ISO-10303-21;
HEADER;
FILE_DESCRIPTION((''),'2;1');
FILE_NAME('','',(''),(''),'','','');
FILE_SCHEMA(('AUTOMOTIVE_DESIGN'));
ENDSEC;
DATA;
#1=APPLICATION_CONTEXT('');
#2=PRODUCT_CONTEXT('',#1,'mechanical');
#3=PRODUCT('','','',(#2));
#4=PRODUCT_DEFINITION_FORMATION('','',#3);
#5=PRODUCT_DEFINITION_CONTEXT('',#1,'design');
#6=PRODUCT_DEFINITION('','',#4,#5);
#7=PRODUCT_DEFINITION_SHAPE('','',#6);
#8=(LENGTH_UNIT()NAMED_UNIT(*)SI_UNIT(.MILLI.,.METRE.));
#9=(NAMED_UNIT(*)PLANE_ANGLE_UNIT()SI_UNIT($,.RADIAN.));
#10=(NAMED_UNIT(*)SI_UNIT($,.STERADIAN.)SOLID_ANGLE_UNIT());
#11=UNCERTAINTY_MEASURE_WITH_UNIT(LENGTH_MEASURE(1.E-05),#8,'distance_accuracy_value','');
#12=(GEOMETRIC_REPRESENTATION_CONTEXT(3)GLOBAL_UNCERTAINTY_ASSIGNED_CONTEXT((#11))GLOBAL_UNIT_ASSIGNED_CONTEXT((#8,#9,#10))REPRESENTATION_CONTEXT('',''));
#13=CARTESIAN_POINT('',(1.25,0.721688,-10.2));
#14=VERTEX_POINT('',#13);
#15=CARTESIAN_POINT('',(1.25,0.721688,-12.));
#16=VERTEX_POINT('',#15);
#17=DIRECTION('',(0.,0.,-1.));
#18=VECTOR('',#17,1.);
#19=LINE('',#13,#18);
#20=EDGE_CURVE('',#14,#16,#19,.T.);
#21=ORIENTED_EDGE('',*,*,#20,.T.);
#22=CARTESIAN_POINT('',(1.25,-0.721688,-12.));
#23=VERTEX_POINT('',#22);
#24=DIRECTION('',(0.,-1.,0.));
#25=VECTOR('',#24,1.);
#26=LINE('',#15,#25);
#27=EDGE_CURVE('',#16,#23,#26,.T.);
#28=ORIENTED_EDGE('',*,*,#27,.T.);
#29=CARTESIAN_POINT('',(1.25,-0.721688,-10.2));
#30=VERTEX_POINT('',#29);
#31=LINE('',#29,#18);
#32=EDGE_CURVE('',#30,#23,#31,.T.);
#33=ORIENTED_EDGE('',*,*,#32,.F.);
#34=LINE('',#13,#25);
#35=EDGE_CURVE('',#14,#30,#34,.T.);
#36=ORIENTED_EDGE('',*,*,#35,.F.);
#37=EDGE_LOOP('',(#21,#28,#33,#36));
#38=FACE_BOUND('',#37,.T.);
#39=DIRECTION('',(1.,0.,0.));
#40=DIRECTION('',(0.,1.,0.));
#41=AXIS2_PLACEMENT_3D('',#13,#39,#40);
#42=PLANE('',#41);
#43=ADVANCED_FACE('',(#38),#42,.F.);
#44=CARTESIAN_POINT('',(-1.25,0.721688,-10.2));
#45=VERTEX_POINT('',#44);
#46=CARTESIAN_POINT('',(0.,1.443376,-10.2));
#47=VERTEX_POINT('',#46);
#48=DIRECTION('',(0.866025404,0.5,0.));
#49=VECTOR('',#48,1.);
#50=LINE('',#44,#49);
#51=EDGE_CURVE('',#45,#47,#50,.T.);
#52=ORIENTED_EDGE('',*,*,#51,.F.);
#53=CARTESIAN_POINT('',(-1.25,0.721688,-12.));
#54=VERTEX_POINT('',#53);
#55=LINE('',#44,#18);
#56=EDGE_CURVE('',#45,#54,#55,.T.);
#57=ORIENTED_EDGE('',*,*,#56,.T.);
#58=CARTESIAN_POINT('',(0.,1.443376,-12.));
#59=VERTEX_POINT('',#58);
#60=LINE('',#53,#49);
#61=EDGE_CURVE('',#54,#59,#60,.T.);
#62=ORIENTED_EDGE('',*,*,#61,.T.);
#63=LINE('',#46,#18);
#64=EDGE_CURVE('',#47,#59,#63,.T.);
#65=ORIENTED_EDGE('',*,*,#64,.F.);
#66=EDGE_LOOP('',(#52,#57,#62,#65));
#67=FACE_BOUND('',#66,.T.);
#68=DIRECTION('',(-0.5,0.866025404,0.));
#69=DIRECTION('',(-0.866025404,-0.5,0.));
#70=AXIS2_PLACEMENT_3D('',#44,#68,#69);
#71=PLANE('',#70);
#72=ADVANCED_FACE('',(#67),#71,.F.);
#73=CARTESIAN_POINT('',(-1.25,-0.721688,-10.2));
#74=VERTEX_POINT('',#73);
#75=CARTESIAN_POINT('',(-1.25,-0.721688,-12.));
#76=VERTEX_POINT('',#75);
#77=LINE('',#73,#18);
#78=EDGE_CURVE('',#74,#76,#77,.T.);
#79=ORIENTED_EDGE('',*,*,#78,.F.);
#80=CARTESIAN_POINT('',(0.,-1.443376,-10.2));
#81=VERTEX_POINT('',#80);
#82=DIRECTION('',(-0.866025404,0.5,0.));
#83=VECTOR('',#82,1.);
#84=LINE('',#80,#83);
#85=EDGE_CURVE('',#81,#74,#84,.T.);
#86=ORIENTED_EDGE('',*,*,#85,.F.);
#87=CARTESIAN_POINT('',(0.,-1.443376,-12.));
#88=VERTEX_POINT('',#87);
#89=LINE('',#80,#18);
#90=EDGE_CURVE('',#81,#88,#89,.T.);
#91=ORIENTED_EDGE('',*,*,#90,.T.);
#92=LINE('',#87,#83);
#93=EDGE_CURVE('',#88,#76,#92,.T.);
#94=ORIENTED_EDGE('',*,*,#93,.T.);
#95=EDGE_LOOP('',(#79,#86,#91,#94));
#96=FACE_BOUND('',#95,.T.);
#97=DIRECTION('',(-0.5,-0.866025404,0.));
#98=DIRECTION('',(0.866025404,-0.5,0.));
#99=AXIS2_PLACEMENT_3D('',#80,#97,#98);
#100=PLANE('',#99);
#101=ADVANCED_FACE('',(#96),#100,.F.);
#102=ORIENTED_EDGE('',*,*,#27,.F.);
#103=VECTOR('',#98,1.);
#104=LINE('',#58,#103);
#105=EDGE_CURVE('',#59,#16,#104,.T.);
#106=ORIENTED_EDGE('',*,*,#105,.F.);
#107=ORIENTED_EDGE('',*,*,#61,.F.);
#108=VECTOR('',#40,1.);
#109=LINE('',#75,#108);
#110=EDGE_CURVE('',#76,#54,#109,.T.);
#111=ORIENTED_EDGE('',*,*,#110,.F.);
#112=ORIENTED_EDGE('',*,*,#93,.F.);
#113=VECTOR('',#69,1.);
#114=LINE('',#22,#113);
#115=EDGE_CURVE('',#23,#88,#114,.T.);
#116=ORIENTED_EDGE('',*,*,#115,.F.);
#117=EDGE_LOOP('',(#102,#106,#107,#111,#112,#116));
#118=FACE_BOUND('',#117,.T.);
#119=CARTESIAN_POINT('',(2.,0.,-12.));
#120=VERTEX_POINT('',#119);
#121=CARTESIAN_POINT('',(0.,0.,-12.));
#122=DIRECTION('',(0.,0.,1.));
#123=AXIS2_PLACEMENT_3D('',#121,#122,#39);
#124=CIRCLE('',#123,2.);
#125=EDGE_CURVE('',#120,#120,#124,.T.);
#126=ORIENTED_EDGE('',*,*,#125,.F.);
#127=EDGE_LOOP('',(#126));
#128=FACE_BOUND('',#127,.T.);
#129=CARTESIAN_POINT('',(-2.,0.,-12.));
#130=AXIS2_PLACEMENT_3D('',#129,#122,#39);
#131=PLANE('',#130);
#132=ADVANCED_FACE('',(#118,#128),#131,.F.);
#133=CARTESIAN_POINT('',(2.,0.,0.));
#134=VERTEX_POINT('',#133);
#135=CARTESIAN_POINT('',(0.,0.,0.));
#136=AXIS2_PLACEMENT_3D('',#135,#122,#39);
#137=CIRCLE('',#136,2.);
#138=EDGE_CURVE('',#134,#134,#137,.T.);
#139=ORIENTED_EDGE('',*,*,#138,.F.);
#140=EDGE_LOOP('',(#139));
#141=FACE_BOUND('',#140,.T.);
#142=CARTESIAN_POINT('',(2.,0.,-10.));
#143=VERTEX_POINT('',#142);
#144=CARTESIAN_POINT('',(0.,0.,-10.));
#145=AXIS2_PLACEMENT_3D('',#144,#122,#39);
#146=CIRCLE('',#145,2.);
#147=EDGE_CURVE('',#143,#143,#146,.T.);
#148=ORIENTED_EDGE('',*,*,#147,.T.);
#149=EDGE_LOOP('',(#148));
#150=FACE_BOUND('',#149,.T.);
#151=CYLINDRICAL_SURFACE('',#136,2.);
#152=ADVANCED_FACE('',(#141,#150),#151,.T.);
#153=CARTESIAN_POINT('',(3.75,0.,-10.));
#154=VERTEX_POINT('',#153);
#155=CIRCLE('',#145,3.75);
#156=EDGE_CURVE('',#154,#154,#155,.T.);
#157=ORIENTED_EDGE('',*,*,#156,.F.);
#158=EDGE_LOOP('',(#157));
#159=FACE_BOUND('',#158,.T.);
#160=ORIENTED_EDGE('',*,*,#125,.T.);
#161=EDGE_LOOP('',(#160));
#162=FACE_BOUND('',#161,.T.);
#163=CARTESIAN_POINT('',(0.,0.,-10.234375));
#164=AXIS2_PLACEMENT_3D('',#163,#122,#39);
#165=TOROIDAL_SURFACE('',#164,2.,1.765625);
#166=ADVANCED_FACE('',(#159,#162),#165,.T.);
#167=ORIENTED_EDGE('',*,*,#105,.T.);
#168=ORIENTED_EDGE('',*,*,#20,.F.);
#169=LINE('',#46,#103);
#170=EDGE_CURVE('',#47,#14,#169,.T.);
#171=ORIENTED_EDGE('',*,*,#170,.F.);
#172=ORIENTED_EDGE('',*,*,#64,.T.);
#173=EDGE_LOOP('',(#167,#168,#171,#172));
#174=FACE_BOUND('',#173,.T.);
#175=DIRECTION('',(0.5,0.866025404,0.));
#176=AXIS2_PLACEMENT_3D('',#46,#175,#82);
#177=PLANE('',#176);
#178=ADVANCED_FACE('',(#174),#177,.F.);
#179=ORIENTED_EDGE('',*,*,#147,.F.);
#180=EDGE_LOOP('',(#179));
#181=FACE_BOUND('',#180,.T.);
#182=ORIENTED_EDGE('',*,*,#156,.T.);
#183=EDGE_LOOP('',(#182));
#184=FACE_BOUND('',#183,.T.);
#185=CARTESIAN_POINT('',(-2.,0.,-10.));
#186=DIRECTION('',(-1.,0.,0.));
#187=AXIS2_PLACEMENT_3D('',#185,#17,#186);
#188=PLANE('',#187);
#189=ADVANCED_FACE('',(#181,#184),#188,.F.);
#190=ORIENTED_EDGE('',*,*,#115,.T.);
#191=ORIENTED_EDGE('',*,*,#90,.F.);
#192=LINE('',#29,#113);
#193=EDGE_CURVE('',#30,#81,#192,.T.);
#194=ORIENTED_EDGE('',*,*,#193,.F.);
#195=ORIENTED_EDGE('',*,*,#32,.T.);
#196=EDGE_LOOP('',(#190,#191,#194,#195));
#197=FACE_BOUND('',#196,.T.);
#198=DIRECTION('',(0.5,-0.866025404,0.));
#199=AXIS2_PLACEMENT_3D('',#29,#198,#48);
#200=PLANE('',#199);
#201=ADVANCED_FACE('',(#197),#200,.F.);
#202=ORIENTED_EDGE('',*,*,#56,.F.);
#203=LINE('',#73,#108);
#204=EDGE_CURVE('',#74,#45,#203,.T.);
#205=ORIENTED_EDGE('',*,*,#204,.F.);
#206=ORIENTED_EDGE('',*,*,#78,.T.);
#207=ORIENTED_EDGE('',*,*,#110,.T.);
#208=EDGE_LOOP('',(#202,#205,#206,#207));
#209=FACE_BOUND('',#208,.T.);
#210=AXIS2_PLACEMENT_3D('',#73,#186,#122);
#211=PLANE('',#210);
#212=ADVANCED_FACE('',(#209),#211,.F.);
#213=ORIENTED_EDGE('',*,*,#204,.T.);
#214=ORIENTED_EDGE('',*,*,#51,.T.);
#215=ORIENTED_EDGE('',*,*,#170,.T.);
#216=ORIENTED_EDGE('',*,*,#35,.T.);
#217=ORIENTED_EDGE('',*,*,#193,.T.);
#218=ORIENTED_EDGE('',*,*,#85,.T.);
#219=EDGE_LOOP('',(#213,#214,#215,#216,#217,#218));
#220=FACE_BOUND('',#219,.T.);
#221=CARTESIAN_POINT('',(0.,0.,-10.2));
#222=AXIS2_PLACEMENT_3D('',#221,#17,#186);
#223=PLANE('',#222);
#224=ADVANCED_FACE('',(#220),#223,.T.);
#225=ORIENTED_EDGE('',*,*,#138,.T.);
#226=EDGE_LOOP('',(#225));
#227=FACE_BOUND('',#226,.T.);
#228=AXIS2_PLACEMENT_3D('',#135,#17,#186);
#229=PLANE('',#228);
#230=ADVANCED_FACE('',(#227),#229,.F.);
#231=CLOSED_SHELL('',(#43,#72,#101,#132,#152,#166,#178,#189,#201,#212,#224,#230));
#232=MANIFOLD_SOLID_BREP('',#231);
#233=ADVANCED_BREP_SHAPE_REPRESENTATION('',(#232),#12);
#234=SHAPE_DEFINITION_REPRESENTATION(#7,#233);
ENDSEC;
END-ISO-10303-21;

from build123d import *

# Parameters (mm, degrees)
CUT_EXTRUDE1_DEPTH = 1.8


with BuildPart() as part:
    # Sketch1 → Revolve1 (revolve)
    with BuildSketch(Plane(origin=(0, 0, 0), x_dir=(1, 0, 0), z_dir=(0, 1, 0))):
        with BuildLine():
            Line((0, 0), (-2, 0))
            Line((-2, 0), (-2, 10))
            Line((-2, 10), (-3.75, 10))
            ThreePointArc((-3.75, 10), (-3.328768227, 11.397047198), (-2, 12))
            Line((-2, 12), (0, 12))
            Line((0, 12), (0, 0))
        make_face()
    revolve(axis=Axis((0, 0, 0), (0, 0, -1)))

    # Sketch2 → Cut-Extrude1 (cut)
    with BuildSketch(Plane(origin=(0, 0, -12), x_dir=(-1, 0, 0), z_dir=(0, 0, -1))):
        Polygon((0, -1.443375673), (1.25, -0.721687836), (1.25, 0.721687836), (0, 1.443375673), (-1.25, 0.721687836), (-1.25, -0.721687836), align=None)
    extrude(amount=-CUT_EXTRUDE1_DEPTH, mode=Mode.SUBTRACT)


solid = part.part
